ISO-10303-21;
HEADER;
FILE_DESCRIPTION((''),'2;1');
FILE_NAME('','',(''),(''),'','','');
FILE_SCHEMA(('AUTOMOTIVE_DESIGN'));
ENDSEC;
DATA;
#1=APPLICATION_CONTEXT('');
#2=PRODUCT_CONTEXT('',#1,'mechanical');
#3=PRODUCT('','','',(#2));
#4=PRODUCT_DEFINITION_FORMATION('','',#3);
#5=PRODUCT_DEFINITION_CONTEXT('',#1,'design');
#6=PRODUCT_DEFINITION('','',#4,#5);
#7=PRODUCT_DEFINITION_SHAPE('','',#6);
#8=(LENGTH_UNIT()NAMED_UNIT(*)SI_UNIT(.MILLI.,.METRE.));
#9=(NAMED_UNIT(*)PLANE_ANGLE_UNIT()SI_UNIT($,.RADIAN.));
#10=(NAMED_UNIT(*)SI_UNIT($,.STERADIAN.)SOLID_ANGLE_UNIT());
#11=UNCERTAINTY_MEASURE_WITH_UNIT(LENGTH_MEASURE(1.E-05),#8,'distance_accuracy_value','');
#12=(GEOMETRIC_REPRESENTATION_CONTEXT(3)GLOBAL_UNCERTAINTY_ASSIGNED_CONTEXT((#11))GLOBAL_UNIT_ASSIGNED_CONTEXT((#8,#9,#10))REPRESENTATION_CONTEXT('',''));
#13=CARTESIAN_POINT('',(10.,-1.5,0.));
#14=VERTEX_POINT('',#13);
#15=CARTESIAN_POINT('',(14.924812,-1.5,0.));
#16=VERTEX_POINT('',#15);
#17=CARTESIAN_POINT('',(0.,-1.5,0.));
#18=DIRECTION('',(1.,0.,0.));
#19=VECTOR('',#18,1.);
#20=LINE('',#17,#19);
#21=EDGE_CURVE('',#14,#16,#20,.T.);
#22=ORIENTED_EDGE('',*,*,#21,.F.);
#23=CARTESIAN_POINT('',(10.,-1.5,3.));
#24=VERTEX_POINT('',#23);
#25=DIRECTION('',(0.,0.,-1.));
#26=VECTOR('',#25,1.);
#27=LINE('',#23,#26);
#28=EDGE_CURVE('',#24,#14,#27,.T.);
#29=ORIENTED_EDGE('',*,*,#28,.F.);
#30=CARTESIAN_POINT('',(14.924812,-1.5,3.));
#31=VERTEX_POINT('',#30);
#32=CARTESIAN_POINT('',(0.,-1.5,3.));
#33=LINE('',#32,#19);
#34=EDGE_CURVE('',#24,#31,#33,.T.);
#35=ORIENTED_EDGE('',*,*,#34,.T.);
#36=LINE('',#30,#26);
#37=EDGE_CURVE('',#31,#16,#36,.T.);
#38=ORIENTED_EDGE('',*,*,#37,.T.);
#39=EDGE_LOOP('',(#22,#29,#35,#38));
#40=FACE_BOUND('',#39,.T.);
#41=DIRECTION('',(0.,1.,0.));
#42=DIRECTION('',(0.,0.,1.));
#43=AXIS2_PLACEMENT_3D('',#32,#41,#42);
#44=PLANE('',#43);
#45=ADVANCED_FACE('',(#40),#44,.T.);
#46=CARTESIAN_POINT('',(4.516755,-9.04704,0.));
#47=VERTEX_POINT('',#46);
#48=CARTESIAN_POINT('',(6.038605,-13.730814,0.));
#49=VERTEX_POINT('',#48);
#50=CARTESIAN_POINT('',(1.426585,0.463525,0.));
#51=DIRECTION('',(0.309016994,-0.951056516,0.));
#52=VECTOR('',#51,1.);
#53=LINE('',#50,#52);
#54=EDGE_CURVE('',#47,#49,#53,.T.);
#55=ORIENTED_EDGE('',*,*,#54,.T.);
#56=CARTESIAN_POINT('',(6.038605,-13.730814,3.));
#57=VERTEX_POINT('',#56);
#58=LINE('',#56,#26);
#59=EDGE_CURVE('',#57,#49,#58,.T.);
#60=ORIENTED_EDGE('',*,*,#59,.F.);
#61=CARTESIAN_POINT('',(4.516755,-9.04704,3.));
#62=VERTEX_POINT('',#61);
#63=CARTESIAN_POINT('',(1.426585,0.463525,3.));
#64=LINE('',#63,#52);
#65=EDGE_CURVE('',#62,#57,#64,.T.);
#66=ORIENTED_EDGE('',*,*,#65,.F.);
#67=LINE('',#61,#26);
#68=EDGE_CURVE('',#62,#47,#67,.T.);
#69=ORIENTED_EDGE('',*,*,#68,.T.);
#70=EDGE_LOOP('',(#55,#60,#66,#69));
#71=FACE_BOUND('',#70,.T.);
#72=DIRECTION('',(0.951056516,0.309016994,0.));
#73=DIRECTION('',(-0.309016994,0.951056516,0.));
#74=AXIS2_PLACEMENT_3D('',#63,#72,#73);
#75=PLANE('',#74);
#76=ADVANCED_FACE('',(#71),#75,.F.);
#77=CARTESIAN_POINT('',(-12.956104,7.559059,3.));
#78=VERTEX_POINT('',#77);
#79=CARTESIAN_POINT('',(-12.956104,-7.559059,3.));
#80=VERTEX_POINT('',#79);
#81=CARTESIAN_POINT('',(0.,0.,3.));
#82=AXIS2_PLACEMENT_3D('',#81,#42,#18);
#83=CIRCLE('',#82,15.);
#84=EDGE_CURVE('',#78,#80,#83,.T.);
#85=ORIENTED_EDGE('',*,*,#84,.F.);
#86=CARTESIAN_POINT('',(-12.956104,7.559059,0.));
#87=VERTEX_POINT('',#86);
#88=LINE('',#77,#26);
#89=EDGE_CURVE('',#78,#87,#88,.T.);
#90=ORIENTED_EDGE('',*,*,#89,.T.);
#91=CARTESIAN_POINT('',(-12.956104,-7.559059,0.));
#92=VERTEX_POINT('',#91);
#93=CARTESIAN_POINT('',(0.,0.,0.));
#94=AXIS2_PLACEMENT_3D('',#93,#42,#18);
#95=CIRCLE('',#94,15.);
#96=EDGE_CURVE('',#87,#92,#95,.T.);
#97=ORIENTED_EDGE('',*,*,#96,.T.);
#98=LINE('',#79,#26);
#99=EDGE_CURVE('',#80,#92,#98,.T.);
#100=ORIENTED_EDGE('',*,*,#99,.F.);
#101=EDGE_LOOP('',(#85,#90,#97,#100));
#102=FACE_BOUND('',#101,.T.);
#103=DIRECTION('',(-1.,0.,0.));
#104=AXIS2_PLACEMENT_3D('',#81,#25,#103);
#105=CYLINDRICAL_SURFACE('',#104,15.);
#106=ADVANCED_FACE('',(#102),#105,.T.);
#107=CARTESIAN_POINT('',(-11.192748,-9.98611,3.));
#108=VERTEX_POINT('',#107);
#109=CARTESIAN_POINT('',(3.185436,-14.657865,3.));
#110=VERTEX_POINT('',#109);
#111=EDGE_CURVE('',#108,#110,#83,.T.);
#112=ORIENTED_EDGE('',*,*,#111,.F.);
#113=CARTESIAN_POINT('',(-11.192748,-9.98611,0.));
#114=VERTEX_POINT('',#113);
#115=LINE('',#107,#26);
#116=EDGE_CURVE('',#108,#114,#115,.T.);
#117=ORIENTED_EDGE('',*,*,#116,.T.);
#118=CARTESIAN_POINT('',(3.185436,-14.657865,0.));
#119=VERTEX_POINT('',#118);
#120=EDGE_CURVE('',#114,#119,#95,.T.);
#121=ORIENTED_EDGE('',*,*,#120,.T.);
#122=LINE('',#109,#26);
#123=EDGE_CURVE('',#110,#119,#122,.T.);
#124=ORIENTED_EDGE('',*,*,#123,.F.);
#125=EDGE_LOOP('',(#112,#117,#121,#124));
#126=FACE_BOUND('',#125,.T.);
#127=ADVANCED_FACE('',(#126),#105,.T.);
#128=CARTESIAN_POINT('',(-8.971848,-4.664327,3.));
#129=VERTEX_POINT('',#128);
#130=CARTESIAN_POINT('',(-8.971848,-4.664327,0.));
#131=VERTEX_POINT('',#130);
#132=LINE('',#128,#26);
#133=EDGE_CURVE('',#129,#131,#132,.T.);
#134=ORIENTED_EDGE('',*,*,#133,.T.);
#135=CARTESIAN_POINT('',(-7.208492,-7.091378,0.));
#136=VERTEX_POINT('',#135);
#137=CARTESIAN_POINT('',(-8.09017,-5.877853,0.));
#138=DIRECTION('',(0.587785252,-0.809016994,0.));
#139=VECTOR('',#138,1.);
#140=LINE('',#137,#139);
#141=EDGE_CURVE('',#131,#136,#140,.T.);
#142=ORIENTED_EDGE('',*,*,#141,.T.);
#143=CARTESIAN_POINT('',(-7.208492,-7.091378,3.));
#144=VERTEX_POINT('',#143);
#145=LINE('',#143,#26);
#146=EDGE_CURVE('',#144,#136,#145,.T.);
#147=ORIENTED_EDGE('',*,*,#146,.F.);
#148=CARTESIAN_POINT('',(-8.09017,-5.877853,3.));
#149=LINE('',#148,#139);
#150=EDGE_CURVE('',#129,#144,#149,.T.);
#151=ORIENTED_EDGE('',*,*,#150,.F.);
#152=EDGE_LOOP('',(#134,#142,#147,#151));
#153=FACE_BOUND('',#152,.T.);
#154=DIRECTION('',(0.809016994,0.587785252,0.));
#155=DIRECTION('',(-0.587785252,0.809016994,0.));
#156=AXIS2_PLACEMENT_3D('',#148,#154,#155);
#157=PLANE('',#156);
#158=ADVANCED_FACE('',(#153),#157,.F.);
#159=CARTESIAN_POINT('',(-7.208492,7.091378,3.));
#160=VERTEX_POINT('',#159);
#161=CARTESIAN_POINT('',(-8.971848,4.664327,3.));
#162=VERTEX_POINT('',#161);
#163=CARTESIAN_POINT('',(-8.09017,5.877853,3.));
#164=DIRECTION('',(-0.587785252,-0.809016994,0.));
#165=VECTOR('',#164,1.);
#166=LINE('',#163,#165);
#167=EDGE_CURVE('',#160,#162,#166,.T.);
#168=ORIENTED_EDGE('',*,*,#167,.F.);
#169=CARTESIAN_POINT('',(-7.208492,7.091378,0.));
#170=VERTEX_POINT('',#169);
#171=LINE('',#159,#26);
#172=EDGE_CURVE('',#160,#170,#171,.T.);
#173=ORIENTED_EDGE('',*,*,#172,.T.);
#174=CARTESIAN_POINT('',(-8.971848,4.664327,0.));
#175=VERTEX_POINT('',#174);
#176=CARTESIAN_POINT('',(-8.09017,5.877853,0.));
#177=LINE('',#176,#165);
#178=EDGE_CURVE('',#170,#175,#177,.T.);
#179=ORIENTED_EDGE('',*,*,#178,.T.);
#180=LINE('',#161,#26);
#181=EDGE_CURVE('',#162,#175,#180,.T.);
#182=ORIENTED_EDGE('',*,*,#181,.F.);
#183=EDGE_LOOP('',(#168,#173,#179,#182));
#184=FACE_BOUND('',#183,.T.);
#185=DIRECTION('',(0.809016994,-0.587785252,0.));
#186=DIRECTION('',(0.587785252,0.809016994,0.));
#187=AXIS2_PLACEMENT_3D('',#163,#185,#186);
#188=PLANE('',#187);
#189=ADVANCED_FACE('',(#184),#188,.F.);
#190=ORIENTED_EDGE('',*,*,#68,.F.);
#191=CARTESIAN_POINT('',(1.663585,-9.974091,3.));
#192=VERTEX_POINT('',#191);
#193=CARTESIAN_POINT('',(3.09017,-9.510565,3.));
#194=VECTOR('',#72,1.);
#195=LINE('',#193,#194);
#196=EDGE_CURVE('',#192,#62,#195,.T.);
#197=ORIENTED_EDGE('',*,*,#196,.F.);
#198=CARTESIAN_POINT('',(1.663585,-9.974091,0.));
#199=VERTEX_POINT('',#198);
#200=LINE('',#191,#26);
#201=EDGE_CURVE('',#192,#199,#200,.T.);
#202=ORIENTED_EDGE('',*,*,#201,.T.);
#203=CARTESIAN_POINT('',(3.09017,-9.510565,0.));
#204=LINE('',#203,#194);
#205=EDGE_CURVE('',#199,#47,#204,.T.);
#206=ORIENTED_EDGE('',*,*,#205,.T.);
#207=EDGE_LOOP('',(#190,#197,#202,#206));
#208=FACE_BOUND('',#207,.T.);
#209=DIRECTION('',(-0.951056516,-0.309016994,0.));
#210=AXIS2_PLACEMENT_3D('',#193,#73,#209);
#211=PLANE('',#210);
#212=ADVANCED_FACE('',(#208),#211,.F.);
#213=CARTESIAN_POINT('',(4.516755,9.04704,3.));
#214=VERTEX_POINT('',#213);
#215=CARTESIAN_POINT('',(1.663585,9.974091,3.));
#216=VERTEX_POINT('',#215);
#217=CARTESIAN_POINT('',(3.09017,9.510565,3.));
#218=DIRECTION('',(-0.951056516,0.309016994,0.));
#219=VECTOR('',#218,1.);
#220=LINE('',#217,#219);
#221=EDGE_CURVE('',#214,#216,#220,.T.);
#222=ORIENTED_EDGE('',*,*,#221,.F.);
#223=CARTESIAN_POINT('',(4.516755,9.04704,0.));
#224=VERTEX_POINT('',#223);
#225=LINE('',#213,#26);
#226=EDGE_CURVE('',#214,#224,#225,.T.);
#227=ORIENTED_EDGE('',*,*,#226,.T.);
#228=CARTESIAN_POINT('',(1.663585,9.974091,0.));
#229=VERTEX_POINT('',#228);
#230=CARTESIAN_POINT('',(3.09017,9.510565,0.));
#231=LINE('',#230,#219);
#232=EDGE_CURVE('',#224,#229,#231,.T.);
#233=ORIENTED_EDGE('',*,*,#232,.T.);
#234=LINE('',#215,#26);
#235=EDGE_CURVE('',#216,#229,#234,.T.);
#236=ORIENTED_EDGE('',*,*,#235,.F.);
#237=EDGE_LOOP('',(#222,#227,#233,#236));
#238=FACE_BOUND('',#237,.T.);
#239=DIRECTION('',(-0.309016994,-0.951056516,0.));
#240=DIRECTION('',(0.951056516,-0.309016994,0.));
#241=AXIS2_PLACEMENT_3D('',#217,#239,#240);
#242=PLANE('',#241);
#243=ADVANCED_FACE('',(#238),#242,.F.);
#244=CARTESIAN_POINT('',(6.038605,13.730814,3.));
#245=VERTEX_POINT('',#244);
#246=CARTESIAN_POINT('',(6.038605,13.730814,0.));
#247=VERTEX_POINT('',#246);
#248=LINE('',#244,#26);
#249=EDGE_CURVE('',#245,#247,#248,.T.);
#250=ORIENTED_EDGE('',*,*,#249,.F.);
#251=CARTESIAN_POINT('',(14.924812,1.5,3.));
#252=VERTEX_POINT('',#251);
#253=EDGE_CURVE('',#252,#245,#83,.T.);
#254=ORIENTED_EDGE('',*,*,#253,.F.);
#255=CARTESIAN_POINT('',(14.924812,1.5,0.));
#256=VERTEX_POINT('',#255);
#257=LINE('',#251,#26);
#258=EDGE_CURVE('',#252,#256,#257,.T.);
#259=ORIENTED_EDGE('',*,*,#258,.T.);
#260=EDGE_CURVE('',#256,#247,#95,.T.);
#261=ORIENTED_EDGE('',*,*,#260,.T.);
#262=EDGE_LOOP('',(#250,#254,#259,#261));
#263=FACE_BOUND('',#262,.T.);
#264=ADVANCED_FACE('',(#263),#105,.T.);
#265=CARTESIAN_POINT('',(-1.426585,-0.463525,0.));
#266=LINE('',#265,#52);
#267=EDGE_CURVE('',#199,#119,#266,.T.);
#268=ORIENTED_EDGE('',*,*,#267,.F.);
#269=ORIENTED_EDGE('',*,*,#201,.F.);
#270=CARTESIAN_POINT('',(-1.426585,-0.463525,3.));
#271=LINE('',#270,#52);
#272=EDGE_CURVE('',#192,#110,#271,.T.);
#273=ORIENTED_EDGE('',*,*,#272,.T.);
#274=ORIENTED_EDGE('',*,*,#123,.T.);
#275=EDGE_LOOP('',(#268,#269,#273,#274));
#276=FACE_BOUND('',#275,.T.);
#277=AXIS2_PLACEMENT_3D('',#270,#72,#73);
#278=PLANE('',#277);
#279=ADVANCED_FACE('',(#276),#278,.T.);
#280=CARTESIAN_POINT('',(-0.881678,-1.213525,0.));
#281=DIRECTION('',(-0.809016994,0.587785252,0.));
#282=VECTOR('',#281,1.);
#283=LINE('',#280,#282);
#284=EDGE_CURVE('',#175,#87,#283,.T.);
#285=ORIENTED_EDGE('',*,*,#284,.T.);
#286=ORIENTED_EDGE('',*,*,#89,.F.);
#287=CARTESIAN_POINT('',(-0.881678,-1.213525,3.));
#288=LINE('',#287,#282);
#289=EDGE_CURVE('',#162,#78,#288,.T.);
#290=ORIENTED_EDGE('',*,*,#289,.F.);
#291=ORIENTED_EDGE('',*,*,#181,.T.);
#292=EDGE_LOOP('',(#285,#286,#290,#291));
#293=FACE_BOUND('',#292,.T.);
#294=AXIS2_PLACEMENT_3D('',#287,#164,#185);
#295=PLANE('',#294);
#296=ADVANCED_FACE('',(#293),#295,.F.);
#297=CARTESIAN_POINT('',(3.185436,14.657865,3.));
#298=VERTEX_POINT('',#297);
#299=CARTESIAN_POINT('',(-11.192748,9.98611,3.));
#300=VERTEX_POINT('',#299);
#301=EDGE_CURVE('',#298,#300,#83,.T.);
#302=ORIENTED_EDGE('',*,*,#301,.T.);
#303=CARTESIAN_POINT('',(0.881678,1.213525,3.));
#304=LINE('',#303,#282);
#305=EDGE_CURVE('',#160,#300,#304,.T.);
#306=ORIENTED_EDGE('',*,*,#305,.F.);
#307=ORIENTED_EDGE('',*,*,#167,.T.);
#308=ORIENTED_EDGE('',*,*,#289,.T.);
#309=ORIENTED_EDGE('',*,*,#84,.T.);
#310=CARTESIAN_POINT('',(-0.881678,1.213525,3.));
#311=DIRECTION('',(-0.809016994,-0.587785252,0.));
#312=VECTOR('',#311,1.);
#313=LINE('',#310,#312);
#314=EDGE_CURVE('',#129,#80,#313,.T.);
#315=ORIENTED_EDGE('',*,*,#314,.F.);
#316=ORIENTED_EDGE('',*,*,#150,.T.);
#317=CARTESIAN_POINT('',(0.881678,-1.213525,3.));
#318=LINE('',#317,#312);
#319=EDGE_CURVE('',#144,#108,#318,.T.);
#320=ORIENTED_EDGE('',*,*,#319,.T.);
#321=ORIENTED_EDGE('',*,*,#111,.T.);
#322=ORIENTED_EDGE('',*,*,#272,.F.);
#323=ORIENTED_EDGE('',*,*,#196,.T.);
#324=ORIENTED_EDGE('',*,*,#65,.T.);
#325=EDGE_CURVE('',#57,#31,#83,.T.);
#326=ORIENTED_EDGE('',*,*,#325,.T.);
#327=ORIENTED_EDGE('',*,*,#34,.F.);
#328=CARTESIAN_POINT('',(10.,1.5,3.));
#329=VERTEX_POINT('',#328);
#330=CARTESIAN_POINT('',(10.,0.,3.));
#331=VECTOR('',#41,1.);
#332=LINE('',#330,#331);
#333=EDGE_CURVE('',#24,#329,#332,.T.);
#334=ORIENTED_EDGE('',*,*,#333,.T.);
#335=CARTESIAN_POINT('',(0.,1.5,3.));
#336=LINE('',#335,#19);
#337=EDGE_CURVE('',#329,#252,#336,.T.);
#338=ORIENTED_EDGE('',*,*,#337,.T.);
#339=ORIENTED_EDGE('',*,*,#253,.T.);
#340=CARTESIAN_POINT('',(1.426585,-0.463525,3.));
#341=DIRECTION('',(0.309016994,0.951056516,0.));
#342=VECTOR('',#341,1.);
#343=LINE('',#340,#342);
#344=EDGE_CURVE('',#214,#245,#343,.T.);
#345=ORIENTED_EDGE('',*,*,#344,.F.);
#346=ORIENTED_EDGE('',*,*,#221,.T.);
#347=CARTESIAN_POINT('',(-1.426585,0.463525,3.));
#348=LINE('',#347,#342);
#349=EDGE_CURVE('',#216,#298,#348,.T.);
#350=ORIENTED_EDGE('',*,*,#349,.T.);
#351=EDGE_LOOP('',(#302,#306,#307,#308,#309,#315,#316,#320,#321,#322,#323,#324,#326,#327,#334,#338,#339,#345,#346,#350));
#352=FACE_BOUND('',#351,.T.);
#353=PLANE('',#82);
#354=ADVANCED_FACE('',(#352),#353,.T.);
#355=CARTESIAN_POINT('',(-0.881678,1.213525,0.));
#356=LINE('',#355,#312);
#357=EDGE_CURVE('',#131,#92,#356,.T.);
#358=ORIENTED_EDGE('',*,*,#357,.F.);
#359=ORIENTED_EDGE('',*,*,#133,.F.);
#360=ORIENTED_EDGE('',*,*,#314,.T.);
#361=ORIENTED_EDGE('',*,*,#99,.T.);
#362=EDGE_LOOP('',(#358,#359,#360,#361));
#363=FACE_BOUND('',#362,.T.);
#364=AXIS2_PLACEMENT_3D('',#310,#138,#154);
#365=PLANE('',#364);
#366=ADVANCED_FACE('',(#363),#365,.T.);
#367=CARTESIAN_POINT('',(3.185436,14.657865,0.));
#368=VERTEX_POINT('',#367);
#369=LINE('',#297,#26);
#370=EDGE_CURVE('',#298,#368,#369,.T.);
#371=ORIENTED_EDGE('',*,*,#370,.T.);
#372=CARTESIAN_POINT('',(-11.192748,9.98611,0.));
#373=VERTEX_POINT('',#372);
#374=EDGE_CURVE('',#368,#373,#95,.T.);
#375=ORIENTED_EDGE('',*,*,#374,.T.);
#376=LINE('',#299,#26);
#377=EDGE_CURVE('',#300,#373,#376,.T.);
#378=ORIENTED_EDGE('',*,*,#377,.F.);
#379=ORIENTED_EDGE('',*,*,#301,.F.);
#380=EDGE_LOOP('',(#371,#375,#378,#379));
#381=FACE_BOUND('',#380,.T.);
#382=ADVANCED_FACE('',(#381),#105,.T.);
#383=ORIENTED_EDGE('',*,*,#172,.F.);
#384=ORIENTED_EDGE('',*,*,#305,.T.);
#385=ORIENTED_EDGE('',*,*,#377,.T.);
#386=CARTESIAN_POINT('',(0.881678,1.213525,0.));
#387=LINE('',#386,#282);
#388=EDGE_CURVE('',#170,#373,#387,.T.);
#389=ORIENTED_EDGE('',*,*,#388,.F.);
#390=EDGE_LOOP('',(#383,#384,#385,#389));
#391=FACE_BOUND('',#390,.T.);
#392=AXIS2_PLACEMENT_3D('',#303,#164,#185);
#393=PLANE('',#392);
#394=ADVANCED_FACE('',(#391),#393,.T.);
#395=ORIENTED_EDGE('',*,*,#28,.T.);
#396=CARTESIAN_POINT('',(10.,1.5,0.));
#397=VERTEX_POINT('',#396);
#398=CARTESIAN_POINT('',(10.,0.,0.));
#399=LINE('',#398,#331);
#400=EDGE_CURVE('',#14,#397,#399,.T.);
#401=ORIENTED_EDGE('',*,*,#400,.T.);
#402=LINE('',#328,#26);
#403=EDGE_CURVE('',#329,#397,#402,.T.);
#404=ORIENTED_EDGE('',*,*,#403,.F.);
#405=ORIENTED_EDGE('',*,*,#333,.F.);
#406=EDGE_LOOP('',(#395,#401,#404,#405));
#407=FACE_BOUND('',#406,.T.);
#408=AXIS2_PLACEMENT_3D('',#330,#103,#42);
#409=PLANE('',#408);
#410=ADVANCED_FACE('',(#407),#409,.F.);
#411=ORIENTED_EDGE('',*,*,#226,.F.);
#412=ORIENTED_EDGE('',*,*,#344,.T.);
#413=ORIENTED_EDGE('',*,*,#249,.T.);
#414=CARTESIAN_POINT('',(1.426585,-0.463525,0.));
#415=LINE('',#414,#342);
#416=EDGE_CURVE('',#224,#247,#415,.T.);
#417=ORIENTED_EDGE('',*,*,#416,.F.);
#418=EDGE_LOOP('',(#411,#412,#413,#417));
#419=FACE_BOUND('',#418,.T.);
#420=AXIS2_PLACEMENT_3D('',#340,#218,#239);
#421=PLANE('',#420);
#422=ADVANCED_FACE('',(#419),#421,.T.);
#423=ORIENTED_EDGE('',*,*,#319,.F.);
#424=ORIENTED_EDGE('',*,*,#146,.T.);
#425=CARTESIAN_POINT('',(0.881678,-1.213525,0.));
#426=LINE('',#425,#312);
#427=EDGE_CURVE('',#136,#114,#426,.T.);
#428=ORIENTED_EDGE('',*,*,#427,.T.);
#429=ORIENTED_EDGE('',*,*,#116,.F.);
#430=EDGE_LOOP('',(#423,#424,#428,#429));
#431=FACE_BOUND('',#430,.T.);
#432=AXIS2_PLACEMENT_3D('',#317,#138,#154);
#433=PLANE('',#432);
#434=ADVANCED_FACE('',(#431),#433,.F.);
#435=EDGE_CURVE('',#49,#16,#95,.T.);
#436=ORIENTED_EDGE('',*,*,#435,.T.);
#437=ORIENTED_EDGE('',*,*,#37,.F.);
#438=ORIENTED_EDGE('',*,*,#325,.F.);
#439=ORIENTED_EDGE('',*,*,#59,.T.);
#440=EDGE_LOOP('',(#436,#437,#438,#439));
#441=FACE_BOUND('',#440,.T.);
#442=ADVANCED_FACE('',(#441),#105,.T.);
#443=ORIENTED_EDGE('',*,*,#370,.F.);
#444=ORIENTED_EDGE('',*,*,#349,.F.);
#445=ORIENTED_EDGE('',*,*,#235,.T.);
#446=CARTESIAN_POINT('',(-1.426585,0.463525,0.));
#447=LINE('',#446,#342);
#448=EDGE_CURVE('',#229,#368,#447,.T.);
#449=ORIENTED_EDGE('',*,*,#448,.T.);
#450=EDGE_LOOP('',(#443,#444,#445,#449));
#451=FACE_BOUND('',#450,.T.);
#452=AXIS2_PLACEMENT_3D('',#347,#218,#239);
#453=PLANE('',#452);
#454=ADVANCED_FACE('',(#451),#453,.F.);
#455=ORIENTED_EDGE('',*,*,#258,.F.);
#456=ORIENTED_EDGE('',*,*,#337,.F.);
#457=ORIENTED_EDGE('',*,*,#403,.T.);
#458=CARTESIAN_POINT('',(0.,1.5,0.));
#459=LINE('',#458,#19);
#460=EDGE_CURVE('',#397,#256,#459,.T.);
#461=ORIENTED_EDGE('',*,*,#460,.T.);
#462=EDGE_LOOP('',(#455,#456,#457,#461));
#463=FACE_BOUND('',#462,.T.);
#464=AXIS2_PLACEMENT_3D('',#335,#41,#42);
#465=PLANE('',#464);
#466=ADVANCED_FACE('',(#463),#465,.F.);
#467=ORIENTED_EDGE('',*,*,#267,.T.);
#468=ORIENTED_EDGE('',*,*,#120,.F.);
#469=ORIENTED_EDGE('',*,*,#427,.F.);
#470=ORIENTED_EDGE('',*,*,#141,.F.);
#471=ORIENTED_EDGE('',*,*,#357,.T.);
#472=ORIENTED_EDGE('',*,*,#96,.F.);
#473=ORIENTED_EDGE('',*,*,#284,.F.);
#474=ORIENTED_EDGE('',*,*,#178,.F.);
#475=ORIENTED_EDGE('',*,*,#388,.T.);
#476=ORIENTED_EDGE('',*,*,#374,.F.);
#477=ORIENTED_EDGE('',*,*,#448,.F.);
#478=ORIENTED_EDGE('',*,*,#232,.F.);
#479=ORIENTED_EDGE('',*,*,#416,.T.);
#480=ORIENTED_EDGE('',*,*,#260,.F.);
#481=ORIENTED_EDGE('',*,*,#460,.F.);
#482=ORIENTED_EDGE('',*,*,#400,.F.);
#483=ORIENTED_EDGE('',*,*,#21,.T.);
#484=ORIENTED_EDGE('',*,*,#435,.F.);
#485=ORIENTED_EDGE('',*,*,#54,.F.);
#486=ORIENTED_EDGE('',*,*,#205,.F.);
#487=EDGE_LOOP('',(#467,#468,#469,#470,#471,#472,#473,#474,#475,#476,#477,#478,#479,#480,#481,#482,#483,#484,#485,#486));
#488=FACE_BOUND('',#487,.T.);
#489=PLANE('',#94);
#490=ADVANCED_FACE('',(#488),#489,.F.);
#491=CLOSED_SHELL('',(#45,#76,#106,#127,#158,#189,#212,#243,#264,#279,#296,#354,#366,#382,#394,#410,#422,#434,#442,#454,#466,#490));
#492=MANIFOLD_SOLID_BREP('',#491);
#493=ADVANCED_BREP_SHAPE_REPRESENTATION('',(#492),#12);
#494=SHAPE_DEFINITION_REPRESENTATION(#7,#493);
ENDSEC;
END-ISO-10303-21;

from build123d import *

# Parameters (mm, degrees)
SALIENTE_EXTRUIR1_DEPTH = 3


with BuildPart() as part:
    # Croquis1 → Saliente-Extruir1 (new body)
    with BuildSketch(Plane.XY):
        with BuildLine():
            Line((14.924811557, -1.5), (10, -1.5))
            Line((10, -1.5), (10, 1.5))
            Line((10, 1.5), (14.924811557, 1.5))
            ThreePointArc((14.924811557, 1.5), (12.135254916, 8.816778784), (6.038605183, 13.730813794))
            Line((6.038605183, 13.730813794), (4.516754718, 9.047039671))
            Line((4.516754718, 9.047039671), (1.663585169, 9.974090655))
            Line((1.663585169, 9.974090655), (3.185435634, 14.657864777))
            ThreePointArc((3.185435634, 14.657864777), (-4.635254916, 14.265847744), (-11.192748309, 9.986109618))
            Line((-11.192748309, 9.986109618), (-7.208492065, 7.091378014))
            Line((-7.208492065, 7.091378014), (-8.971847822, 4.664327031))
            Line((-8.971847822, 4.664327031), (-12.956104066, 7.559058635))
            ThreePointArc((-12.956104066, 7.559058635), (-15, 0), (-12.956104066, -7.559058635))
            Line((-12.956104066, -7.559058635), (-8.971847822, -4.664327031))
            Line((-8.971847822, -4.664327031), (-7.208492065, -7.091378014))
            Line((-7.208492065, -7.091378014), (-11.192748309, -9.986109618))
            ThreePointArc((-11.192748309, -9.986109618), (-4.635254916, -14.265847744), (3.185435634, -14.657864777))
            Line((3.185435634, -14.657864777), (1.663585169, -9.974090655))
            Line((1.663585169, -9.974090655), (4.516754718, -9.047039671))
            Line((4.516754718, -9.047039671), (6.038605183, -13.730813794))
            ThreePointArc((6.038605183, -13.730813794), (12.135254916, -8.816778784), (14.924811557, -1.5))
        make_face()
    extrude(amount=SALIENTE_EXTRUIR1_DEPTH)


solid = part.part
